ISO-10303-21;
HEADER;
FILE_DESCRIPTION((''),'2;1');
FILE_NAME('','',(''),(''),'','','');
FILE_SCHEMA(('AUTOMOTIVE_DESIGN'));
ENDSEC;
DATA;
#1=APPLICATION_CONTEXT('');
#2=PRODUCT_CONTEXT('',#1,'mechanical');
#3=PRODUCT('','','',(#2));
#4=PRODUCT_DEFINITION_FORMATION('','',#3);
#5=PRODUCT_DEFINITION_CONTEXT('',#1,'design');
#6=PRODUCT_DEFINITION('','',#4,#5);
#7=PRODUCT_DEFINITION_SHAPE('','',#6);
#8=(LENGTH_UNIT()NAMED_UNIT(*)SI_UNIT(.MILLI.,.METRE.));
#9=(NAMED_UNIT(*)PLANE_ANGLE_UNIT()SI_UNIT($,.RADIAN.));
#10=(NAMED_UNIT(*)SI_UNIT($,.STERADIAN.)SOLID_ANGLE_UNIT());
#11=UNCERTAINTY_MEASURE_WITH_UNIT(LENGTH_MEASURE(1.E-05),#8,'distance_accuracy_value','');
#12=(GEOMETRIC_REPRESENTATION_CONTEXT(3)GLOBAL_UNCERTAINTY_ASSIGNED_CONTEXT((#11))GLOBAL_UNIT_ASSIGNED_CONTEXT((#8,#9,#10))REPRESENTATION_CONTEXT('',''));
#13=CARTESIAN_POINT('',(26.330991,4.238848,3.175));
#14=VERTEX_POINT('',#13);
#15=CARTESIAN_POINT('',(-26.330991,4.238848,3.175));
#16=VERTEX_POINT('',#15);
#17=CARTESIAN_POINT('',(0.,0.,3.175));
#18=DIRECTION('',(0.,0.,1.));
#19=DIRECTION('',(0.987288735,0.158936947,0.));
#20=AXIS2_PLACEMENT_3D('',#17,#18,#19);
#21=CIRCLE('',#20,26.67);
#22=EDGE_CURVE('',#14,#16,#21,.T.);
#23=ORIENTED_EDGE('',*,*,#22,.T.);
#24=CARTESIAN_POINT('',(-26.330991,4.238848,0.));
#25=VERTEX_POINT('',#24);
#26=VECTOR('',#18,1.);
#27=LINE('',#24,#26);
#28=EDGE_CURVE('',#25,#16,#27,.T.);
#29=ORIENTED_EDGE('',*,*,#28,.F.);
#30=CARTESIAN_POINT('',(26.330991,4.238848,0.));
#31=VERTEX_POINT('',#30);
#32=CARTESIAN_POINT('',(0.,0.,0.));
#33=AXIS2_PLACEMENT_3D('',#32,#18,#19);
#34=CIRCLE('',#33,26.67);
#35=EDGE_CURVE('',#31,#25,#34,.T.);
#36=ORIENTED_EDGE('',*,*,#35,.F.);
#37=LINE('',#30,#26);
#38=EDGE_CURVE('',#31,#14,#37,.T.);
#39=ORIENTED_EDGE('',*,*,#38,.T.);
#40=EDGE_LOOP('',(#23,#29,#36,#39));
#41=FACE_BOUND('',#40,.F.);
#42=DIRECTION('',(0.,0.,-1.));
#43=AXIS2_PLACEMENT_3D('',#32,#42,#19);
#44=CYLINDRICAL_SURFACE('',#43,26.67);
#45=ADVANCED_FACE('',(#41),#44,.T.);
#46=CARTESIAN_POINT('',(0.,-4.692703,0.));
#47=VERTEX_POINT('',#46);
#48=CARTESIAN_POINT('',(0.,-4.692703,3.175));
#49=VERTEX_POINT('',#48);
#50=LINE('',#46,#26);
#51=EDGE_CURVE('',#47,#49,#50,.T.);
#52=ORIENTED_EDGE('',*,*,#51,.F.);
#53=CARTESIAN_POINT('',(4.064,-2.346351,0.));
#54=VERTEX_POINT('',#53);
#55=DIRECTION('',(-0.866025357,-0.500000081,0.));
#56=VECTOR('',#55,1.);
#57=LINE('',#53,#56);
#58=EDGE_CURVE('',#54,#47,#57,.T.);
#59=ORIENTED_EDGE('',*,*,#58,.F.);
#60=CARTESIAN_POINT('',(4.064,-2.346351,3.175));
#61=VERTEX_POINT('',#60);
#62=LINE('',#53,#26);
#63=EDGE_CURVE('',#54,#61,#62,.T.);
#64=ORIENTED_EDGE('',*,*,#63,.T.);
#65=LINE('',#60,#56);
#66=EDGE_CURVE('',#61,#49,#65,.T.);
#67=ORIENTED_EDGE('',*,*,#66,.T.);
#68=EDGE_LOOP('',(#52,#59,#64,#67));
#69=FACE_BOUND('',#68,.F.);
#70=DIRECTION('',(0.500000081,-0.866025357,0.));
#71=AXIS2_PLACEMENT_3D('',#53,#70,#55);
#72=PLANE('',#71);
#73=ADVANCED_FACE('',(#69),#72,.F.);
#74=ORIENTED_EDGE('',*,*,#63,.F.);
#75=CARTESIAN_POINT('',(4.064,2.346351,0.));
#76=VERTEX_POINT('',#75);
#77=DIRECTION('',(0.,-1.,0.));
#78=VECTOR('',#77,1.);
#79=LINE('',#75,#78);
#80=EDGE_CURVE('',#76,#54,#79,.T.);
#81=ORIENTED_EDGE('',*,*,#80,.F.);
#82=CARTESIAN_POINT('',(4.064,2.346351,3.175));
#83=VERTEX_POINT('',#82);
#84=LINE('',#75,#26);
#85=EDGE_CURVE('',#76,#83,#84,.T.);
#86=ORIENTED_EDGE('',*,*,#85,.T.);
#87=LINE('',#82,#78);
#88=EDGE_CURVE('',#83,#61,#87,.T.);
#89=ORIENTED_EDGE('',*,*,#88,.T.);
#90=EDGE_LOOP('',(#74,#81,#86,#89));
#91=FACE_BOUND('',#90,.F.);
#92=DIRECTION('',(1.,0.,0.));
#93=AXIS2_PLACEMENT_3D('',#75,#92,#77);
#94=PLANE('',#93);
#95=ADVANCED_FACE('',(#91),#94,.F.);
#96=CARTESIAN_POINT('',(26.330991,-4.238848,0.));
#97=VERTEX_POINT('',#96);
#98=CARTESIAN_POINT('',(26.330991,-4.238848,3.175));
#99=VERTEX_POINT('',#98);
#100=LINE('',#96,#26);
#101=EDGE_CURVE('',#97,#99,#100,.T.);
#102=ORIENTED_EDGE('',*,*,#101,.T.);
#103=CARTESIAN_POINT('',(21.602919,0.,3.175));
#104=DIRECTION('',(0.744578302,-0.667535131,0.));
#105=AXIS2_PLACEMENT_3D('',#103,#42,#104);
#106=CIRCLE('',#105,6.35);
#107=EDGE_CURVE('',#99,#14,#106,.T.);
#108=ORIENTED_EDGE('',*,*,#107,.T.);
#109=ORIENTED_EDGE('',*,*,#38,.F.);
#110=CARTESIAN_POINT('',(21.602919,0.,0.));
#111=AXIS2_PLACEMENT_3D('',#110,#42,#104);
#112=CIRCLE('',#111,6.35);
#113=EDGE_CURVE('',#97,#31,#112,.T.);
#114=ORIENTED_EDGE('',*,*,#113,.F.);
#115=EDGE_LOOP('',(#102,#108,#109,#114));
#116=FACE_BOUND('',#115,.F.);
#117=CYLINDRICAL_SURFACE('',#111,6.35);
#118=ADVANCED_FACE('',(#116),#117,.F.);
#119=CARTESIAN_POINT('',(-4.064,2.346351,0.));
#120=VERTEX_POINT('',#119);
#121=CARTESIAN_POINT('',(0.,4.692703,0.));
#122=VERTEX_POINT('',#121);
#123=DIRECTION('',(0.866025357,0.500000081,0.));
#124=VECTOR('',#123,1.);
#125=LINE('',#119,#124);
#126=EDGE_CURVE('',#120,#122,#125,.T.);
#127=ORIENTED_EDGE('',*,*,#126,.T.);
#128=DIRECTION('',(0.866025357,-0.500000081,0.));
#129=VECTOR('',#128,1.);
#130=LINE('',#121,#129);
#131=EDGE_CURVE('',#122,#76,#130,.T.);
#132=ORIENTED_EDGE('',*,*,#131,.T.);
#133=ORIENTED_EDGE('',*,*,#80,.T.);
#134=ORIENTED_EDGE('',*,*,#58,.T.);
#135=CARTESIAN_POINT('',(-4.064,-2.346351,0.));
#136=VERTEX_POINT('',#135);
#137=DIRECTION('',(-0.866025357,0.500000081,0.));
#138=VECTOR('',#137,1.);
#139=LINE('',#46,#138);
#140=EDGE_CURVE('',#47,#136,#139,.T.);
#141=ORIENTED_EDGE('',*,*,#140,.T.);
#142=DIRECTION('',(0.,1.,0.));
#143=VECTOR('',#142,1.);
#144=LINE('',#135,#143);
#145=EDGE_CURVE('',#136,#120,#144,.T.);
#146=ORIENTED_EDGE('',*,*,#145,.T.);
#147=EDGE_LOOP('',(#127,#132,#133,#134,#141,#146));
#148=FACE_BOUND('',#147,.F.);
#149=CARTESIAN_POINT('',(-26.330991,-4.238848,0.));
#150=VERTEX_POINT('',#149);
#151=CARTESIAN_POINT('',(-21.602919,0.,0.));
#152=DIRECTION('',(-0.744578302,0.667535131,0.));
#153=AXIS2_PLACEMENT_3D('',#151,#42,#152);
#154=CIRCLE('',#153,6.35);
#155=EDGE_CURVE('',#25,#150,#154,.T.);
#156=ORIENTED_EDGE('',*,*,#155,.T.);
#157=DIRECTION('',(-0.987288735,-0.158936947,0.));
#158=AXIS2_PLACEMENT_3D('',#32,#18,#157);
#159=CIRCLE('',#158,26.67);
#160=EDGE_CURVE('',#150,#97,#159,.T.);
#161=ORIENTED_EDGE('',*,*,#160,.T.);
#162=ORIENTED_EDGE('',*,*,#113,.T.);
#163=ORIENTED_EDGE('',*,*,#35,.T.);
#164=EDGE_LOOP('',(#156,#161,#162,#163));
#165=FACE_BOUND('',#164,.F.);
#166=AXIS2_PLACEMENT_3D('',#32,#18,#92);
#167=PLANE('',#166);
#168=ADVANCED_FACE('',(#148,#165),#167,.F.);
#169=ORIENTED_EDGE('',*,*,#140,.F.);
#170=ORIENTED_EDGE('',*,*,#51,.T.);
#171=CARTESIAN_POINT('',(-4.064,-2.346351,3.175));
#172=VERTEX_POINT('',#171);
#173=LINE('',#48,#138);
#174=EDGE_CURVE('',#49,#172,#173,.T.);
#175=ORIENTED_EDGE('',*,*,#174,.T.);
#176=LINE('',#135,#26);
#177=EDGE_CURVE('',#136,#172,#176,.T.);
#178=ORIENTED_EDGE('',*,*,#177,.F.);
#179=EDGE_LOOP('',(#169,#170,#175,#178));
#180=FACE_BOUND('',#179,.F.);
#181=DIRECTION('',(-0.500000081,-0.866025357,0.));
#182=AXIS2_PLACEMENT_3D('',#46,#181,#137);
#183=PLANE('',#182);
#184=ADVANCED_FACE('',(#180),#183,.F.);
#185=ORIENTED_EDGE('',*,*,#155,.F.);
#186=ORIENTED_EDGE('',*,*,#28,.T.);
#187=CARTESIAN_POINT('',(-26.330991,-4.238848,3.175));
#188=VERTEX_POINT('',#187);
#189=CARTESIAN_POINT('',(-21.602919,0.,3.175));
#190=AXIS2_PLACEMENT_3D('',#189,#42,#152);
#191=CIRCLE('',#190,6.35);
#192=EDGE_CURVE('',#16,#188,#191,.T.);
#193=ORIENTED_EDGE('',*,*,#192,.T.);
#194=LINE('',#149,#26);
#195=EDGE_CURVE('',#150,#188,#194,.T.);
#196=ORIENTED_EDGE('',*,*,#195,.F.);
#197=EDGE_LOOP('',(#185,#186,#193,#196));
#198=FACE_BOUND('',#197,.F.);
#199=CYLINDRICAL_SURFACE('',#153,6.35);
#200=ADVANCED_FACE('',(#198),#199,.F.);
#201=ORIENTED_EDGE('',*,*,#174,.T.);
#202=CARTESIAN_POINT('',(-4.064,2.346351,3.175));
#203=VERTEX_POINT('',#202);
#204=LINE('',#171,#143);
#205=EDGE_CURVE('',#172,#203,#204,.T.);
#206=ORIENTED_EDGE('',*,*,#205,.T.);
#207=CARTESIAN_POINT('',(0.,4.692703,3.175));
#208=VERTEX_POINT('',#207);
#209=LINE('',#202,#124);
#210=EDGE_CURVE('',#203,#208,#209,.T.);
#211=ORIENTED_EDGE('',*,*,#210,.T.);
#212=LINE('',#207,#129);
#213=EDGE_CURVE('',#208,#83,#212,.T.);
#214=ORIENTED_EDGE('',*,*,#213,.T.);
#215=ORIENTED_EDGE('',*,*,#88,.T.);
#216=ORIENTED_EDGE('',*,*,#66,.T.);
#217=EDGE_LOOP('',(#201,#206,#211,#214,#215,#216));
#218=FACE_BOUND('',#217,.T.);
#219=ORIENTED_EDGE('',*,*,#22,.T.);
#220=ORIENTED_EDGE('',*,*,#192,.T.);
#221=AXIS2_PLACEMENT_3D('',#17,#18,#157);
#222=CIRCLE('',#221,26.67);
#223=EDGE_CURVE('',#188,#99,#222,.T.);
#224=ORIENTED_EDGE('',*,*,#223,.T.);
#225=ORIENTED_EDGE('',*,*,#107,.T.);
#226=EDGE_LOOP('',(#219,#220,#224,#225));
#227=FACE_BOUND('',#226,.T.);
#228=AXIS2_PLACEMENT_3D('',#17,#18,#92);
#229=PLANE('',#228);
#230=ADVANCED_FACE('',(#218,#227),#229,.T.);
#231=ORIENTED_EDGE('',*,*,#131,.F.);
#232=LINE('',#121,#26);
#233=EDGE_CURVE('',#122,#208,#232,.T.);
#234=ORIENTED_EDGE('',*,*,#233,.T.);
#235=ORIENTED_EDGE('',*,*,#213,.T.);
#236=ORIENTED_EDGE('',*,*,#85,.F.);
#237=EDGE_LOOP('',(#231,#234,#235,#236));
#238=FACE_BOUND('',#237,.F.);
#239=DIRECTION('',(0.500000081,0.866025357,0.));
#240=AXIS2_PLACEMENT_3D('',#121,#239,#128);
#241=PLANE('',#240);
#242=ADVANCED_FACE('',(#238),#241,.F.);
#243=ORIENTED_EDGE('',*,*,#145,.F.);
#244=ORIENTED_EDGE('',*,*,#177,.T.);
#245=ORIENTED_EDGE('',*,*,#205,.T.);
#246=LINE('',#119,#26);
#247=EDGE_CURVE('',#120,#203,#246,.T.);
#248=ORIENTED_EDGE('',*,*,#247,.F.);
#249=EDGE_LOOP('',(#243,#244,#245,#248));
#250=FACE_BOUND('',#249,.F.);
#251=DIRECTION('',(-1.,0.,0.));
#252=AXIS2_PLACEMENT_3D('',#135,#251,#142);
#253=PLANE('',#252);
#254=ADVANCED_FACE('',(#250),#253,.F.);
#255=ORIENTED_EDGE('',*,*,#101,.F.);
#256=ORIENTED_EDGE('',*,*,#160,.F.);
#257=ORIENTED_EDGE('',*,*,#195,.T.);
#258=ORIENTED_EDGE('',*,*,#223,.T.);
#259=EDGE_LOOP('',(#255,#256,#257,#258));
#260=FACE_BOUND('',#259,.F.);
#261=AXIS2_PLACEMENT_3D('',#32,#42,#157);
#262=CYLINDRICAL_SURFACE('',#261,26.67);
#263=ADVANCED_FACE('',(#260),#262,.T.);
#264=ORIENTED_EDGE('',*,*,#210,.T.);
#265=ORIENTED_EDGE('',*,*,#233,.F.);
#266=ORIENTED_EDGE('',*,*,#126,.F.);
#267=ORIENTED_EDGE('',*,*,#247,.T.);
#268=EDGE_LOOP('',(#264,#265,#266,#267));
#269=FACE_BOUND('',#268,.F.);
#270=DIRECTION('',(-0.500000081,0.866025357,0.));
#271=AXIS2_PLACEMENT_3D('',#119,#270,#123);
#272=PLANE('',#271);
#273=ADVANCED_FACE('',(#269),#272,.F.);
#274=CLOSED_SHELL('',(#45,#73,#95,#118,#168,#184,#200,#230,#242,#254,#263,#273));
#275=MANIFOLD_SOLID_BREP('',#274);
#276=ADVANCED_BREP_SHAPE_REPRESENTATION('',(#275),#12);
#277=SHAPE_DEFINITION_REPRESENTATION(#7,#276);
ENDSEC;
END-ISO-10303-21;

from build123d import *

# Parameters (mm, degrees)
F1_DEPTH = 3.175


with BuildPart() as f1:
    # F0 (on Top) → F1 (new body)
    with BuildSketch(Plane.XY):
        with BuildLine():
            ThreePointArc((-26.330991, 4.238848), (-15.252919, 0), (-26.330991, -4.238848))
            ThreePointArc((-26.330991, -4.238848), (0, -26.67), (26.330991, -4.238848))
            ThreePointArc((26.330991, -4.238848), (15.252919, 0), (26.330991, 4.238848))
            ThreePointArc((26.330991, 4.238848), (0, 26.67), (-26.330991, 4.238848))
        make_face()
        Polygon((0, 4.692703), (4.064, 2.346351), (4.064, -2.346351), (0, -4.692703), (-4.064, -2.346351), (-4.064, 2.346351), align=None, mode=Mode.SUBTRACT)
    extrude(amount=F1_DEPTH)


solid = f1.part
